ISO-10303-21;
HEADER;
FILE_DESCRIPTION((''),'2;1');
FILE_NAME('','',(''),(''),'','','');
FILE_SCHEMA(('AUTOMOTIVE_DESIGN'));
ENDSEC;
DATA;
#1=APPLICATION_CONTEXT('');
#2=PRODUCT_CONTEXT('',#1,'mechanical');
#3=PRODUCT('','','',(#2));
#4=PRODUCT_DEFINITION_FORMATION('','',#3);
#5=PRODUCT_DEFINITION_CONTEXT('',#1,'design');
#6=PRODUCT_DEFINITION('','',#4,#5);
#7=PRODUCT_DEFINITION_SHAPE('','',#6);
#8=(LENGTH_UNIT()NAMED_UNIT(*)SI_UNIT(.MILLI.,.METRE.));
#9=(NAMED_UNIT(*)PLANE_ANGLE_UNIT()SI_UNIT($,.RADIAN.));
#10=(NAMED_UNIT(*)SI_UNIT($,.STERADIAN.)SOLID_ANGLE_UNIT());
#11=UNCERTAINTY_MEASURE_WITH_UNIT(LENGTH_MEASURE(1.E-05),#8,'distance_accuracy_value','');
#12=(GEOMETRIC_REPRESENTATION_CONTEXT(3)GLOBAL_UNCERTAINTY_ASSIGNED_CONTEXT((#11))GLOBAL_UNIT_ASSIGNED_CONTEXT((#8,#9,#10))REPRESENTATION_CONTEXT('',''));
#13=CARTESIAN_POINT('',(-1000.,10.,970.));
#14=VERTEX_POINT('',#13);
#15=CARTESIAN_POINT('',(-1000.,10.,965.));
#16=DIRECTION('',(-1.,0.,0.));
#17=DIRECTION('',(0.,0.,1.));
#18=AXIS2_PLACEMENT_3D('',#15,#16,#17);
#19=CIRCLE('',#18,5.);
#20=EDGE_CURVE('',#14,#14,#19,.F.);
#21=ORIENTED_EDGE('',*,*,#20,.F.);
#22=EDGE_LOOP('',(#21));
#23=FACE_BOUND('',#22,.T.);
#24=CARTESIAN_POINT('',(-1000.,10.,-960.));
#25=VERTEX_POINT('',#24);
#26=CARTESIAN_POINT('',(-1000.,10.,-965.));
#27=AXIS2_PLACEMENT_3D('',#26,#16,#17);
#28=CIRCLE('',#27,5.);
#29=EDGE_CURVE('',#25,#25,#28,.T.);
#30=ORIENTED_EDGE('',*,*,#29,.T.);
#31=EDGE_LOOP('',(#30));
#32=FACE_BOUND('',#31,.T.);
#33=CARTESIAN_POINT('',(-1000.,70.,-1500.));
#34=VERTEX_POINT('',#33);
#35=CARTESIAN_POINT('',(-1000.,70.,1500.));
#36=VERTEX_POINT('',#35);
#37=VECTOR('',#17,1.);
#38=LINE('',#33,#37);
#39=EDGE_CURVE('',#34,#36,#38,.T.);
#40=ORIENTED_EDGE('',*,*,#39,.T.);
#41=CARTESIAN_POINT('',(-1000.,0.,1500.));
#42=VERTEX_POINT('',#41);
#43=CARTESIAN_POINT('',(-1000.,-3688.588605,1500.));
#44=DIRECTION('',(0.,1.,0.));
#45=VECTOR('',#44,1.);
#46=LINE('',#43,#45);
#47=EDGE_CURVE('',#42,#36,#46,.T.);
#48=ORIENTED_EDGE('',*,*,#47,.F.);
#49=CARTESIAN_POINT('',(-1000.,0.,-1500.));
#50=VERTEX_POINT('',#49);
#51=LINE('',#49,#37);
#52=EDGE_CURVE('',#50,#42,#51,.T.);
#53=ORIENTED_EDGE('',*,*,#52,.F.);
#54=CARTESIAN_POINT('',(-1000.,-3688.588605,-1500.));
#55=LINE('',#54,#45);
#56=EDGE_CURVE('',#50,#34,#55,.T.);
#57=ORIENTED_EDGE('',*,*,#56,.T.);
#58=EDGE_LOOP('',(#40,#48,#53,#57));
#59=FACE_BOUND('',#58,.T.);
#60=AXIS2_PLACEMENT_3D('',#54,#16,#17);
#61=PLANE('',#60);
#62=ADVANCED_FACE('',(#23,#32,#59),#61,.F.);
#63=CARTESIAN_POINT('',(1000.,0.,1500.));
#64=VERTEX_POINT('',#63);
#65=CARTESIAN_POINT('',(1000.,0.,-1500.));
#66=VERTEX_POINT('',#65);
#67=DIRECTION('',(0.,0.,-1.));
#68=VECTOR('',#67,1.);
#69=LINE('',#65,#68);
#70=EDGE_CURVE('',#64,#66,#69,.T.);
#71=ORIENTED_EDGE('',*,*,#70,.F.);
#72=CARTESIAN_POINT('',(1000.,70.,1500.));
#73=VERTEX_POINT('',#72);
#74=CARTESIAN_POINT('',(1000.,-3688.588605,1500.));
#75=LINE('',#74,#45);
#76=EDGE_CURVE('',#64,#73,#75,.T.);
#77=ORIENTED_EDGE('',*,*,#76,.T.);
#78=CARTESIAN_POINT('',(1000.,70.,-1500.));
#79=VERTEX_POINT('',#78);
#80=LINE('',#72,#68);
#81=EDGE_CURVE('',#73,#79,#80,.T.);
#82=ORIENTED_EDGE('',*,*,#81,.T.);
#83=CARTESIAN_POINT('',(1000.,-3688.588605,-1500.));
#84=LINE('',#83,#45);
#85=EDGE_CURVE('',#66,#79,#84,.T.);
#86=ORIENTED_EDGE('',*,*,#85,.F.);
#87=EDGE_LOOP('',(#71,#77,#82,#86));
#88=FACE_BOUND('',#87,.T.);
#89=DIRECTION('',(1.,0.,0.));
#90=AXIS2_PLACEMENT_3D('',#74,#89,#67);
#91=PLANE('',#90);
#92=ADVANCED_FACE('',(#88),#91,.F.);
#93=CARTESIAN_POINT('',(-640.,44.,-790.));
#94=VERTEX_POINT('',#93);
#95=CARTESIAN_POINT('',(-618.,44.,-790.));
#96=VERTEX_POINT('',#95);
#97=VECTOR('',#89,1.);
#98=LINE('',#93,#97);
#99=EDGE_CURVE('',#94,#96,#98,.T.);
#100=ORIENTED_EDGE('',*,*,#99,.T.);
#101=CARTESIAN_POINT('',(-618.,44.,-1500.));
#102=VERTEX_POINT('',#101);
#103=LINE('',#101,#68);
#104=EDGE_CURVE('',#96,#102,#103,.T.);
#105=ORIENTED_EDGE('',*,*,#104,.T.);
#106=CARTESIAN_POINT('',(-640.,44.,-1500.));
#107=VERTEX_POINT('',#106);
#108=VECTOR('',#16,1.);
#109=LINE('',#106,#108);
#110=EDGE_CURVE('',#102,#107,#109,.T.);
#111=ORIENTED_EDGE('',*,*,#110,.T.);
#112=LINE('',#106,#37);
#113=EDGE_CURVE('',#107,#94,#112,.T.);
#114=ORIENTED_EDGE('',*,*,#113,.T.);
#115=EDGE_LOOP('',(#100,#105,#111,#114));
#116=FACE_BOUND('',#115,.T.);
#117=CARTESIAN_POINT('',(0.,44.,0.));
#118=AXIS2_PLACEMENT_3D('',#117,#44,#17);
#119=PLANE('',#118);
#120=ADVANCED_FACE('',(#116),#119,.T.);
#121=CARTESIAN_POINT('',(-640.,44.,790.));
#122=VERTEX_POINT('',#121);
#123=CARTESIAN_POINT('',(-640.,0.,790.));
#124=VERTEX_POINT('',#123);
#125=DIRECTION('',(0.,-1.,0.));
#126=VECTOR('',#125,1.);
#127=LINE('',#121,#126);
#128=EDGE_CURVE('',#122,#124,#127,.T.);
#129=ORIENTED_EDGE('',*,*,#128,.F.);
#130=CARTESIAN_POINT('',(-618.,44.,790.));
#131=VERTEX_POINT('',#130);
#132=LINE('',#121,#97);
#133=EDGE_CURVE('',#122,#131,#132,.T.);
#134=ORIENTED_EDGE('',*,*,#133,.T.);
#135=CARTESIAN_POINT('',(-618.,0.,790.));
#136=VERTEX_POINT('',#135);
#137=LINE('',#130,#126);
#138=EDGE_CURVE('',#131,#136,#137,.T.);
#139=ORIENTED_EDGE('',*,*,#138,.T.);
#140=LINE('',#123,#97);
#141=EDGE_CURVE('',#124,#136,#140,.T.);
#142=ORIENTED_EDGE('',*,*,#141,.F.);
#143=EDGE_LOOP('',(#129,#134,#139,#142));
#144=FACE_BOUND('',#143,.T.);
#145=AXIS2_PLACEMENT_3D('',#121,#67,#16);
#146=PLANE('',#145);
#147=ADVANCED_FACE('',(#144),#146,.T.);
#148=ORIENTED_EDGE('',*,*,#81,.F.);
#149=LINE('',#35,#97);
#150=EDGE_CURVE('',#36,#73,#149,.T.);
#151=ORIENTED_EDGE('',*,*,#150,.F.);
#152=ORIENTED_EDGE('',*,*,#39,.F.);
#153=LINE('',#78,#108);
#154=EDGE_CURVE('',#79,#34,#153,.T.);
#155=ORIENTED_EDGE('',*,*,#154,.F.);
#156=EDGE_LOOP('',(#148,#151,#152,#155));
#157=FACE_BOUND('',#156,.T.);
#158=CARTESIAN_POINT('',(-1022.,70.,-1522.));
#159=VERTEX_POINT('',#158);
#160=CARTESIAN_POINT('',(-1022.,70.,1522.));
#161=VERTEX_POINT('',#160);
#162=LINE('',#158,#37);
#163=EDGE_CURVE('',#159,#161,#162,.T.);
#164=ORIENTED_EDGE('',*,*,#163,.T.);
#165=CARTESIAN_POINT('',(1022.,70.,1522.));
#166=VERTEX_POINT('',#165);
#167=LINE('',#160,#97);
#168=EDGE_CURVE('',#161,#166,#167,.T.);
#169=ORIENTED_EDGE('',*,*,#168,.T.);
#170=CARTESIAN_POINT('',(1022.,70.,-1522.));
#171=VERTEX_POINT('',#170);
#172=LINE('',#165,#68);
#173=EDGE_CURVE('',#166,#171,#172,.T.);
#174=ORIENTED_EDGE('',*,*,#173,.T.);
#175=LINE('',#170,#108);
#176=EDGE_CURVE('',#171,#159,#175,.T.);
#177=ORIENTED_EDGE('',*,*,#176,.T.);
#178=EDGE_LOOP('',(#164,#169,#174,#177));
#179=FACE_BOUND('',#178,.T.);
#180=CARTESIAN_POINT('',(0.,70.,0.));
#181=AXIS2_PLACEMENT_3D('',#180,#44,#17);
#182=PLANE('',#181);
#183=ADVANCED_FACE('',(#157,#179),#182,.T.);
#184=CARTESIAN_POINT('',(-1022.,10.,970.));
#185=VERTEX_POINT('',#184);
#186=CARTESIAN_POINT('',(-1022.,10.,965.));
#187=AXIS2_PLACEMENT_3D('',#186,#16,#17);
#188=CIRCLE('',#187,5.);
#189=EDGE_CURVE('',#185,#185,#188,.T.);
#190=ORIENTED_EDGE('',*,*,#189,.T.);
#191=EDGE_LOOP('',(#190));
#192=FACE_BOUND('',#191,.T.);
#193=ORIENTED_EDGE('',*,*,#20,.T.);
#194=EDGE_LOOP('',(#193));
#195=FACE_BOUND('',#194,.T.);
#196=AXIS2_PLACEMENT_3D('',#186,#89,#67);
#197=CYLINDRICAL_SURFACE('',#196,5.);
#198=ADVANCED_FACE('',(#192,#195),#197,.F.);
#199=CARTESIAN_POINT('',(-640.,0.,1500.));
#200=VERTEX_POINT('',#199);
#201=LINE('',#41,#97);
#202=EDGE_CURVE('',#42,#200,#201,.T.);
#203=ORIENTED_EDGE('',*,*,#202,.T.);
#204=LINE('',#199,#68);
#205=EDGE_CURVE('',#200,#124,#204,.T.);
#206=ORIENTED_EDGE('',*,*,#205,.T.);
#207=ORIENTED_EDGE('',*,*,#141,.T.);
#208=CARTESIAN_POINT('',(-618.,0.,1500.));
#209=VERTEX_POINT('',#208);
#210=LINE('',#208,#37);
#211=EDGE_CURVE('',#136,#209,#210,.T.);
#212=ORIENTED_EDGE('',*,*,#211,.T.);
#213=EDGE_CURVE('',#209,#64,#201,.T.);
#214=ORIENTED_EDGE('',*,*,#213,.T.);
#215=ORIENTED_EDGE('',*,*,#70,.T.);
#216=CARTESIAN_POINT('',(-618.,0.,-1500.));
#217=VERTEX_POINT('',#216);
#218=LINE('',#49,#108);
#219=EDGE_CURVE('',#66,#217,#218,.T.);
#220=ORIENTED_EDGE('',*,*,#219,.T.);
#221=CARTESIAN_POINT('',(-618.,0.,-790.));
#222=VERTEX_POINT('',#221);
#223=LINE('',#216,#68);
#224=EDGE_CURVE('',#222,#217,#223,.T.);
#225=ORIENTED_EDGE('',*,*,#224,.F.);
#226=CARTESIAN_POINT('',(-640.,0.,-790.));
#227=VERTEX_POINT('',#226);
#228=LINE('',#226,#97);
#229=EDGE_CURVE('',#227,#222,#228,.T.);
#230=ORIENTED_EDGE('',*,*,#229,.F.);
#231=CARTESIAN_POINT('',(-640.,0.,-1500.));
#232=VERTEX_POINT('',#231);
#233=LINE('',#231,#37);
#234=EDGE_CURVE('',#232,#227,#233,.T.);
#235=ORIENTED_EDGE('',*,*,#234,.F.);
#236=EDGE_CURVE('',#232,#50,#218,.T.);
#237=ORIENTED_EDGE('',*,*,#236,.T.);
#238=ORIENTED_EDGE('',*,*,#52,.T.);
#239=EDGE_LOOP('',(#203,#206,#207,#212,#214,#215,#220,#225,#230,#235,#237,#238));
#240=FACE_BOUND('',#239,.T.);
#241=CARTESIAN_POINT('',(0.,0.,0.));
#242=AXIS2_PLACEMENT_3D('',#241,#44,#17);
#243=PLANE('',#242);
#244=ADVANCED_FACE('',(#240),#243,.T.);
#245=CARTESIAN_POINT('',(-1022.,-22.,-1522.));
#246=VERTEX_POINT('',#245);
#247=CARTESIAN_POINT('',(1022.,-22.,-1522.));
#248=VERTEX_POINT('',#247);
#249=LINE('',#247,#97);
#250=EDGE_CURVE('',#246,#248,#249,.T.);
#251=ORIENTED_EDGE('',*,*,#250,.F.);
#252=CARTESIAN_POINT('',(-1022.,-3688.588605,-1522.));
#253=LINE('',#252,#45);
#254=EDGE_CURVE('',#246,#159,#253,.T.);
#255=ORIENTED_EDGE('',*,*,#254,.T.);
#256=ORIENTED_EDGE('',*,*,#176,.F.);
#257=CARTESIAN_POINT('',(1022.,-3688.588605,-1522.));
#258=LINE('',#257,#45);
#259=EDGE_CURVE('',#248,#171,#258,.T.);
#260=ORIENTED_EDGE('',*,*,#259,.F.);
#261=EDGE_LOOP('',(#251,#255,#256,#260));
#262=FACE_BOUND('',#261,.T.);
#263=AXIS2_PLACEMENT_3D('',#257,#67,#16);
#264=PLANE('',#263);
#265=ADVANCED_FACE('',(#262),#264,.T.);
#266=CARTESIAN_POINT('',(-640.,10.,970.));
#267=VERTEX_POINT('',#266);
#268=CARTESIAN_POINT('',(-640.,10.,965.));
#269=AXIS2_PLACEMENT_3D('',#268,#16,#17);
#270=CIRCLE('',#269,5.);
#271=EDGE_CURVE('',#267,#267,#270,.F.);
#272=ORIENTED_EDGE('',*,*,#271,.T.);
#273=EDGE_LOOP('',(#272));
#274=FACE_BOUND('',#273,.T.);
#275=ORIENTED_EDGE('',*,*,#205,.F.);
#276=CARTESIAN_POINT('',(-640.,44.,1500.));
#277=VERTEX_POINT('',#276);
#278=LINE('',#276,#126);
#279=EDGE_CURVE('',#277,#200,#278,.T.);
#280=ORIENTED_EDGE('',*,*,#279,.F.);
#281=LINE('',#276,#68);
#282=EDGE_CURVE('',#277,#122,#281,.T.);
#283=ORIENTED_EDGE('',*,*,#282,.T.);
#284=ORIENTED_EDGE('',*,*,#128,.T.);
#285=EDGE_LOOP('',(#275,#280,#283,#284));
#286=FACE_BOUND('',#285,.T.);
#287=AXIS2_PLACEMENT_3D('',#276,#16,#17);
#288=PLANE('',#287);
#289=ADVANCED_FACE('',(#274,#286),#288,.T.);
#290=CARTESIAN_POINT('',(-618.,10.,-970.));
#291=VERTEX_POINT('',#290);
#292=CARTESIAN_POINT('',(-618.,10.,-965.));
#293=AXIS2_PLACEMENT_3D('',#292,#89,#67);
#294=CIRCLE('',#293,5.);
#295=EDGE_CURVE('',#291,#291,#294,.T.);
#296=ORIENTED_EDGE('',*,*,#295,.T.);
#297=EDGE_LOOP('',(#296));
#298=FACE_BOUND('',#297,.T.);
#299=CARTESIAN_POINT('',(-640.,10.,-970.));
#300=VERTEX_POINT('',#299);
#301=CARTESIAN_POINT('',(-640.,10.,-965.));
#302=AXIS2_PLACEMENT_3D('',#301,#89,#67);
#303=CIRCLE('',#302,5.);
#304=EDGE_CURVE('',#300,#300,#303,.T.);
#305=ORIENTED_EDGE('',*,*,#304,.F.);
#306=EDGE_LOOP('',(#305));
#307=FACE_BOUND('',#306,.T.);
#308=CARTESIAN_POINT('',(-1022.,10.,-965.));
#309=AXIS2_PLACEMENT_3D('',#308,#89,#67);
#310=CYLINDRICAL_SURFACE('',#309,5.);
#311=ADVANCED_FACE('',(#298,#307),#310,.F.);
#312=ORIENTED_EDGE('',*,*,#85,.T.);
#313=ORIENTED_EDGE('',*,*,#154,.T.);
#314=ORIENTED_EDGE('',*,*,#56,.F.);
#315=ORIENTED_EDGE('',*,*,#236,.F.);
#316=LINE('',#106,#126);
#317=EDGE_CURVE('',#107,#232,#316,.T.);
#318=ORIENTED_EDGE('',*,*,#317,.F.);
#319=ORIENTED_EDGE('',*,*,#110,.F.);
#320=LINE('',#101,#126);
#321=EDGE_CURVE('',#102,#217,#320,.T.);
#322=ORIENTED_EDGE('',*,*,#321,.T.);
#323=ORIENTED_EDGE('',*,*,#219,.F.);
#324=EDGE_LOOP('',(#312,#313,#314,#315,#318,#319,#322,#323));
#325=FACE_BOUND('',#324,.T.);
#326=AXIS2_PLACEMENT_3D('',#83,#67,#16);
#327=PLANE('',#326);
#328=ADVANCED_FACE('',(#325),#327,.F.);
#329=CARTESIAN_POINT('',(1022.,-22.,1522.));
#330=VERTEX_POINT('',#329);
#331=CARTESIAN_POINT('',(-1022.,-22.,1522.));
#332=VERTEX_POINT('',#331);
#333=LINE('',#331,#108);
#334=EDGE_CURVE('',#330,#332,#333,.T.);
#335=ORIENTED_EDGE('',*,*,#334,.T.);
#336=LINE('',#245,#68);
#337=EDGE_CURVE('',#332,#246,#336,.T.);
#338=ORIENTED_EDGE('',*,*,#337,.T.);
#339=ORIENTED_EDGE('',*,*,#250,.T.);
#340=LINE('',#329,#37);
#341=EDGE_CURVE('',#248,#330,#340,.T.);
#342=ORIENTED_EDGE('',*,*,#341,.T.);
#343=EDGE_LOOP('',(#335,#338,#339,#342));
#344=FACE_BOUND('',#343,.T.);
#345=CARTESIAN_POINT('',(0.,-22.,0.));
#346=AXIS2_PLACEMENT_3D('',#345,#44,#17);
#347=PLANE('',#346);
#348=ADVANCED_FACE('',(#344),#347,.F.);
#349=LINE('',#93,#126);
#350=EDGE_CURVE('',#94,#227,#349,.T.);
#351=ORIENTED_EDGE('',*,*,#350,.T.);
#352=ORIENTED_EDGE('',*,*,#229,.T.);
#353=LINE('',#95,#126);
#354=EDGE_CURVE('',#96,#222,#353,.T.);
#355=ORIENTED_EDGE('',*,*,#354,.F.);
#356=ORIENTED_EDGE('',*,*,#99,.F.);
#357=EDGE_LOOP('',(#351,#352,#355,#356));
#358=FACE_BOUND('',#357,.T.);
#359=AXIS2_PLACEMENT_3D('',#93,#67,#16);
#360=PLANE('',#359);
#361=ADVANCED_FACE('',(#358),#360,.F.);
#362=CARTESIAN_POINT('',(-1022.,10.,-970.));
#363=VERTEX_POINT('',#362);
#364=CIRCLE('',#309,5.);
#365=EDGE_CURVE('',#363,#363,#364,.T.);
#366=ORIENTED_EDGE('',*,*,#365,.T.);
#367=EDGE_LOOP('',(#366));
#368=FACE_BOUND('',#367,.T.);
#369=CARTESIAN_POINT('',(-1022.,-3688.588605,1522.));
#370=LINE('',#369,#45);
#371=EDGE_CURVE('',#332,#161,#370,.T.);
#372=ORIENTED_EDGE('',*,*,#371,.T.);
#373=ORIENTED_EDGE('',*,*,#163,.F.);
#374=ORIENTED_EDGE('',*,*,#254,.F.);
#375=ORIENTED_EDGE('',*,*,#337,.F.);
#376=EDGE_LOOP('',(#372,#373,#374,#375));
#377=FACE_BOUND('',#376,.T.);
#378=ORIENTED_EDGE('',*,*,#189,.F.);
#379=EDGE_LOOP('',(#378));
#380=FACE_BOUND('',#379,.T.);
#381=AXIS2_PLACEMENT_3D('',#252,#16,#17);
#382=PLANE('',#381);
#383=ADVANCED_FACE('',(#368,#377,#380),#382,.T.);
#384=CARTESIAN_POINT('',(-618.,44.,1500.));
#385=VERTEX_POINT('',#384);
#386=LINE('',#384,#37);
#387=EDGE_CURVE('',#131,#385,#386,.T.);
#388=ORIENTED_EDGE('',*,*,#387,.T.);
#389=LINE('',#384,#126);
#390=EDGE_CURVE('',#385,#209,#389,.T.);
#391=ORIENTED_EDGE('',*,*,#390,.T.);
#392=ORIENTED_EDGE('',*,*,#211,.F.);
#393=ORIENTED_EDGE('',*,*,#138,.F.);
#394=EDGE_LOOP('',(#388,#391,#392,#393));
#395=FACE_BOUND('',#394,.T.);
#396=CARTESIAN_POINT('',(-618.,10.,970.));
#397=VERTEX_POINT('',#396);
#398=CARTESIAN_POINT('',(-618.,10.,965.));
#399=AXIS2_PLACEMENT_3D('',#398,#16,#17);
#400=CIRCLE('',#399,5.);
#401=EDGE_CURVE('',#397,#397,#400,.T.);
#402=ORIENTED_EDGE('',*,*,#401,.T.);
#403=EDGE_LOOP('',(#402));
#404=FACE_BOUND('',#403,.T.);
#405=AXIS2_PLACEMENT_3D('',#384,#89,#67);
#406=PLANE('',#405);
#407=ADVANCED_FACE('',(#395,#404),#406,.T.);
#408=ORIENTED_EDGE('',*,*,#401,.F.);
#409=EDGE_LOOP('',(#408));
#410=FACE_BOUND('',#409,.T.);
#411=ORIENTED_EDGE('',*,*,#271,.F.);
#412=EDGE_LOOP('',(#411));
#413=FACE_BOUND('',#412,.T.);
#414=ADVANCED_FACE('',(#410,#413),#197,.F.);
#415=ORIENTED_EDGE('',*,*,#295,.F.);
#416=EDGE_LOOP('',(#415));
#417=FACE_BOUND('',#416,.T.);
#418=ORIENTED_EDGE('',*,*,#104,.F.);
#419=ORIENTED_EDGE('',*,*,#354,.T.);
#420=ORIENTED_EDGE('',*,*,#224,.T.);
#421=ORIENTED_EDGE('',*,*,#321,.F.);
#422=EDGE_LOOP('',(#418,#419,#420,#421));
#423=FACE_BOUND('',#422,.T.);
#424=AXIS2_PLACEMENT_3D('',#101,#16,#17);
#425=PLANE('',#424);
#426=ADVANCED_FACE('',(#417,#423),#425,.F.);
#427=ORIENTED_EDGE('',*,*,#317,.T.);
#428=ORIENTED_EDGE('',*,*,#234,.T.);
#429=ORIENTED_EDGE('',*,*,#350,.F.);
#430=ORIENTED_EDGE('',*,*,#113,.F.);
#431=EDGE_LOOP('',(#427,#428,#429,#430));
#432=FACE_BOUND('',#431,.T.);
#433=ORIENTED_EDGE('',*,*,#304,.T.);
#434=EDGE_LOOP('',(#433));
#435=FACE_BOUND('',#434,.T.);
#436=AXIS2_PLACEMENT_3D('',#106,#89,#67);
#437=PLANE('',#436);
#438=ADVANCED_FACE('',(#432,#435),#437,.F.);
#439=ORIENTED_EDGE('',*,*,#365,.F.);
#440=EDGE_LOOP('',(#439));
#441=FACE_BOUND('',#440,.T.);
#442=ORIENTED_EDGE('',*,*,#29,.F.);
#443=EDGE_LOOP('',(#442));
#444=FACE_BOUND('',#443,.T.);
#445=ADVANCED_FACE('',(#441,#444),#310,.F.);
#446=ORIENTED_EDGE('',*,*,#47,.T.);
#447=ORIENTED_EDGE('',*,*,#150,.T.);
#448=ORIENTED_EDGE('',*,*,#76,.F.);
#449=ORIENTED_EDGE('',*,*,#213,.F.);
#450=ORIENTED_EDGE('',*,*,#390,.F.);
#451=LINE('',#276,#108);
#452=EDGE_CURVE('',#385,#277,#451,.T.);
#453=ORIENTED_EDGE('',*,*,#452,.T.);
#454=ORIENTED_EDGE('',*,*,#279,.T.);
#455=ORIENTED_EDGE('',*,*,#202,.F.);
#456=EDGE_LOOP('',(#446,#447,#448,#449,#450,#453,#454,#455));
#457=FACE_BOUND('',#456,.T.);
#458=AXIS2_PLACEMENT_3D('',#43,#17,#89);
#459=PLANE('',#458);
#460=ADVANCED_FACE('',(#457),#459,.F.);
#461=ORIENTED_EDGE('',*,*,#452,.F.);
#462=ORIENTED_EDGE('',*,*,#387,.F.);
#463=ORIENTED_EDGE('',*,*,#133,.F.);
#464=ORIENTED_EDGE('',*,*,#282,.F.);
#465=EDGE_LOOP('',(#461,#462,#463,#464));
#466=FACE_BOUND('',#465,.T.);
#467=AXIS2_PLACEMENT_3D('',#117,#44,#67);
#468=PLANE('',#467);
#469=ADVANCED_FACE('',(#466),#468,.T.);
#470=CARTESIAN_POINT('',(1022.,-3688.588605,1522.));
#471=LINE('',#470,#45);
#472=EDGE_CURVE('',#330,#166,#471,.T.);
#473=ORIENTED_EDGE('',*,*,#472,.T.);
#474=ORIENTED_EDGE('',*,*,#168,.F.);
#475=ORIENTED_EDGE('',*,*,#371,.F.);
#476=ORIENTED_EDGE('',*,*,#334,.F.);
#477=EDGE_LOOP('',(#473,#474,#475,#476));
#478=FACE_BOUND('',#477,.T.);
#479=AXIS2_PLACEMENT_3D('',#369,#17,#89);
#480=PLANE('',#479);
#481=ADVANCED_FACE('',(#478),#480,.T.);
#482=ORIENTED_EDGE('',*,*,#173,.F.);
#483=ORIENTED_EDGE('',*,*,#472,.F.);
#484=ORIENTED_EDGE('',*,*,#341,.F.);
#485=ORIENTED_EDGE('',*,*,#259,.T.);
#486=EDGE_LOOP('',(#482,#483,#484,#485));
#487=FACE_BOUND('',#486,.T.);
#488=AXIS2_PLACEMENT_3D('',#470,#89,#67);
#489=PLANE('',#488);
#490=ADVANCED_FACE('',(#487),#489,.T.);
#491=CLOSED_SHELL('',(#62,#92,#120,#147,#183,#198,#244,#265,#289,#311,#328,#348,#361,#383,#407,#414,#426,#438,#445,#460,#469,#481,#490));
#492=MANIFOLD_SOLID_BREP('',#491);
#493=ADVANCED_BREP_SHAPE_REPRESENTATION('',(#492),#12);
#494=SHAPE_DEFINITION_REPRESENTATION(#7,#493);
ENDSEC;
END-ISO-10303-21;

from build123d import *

# Parameters (mm, degrees)
ESQUISSE1_W             = 2000
ESQUISSE1_H             = 3000
BOSS_EXTRU_1_DEPTH      = 22
ESQUISSE2_W             = 2044
ESQUISSE2_H             = 3044
ESQUISSE2_W_2           = 2000
ESQUISSE2_H_2           = 3000
BOSS_EXTRU_2_DEPTH      = 70
BOSS_EXTRU_2_DEPTH_BACK = 22
ESQUISSE3_W             = 22
ESQUISSE3_H             = 710
BOSS_EXTRU_3_DEPTH      = 44
ESQUISSE4_R             = 5
ENL_V_MAT_EXTRU_1_DEPTH = 405


with BuildPart() as part:
    # Esquisse1 → Boss.-Extru.1 (new body)
    with BuildSketch(Plane(origin=(0, 0, 0), x_dir=(1, 0, 0), z_dir=(0, 1, 0))):
        Rectangle(ESQUISSE1_W, ESQUISSE1_H)
    extrude(amount=-BOSS_EXTRU_1_DEPTH)

    # Esquisse2 → Boss.-Extru.2 (add, two sides)
    with BuildSketch(Plane(origin=(0, 0, 0), x_dir=(1, 0, 0), z_dir=(0, 1, 0))) as boss_extru_2_sk:
        Rectangle(ESQUISSE2_W, ESQUISSE2_H)
        Rectangle(ESQUISSE2_W_2, ESQUISSE2_H_2, mode=Mode.SUBTRACT)
    extrude(amount=BOSS_EXTRU_2_DEPTH)
    extrude(boss_extru_2_sk.sketch, amount=-BOSS_EXTRU_2_DEPTH_BACK)

    # Esquisse3 → Boss.-Extru.3 (add)
    with BuildSketch(Plane(origin=(0, 0, 0), x_dir=(1, 0, 0), z_dir=(0, 1, 0))):
        with Locations((-629, 1145)):
            Rectangle(ESQUISSE3_W, ESQUISSE3_H)
    boss_extru_3 = extrude(amount=BOSS_EXTRU_3_DEPTH)

    # Esquisse4 → Enlèv. mat.-Extru.1 (cut, through all)
    with BuildSketch(Plane(origin=(-618, 0, 0), x_dir=(0, 0, -1), z_dir=(1, 0, 0))):
        with Locations((965, 10)):
            Circle(ESQUISSE4_R)
    enl_v_mat_extru_1 = extrude(amount=-ENL_V_MAT_EXTRU_1_DEPTH, mode=Mode.SUBTRACT)

    # Symétrie1: Boss.-Extru.3, Enlèv. mat.-Extru.1 across plane
    add(boss_extru_3.mirror(Plane.XY))
    add(enl_v_mat_extru_1.mirror(Plane.XY), mode=Mode.SUBTRACT)


solid = part.part
